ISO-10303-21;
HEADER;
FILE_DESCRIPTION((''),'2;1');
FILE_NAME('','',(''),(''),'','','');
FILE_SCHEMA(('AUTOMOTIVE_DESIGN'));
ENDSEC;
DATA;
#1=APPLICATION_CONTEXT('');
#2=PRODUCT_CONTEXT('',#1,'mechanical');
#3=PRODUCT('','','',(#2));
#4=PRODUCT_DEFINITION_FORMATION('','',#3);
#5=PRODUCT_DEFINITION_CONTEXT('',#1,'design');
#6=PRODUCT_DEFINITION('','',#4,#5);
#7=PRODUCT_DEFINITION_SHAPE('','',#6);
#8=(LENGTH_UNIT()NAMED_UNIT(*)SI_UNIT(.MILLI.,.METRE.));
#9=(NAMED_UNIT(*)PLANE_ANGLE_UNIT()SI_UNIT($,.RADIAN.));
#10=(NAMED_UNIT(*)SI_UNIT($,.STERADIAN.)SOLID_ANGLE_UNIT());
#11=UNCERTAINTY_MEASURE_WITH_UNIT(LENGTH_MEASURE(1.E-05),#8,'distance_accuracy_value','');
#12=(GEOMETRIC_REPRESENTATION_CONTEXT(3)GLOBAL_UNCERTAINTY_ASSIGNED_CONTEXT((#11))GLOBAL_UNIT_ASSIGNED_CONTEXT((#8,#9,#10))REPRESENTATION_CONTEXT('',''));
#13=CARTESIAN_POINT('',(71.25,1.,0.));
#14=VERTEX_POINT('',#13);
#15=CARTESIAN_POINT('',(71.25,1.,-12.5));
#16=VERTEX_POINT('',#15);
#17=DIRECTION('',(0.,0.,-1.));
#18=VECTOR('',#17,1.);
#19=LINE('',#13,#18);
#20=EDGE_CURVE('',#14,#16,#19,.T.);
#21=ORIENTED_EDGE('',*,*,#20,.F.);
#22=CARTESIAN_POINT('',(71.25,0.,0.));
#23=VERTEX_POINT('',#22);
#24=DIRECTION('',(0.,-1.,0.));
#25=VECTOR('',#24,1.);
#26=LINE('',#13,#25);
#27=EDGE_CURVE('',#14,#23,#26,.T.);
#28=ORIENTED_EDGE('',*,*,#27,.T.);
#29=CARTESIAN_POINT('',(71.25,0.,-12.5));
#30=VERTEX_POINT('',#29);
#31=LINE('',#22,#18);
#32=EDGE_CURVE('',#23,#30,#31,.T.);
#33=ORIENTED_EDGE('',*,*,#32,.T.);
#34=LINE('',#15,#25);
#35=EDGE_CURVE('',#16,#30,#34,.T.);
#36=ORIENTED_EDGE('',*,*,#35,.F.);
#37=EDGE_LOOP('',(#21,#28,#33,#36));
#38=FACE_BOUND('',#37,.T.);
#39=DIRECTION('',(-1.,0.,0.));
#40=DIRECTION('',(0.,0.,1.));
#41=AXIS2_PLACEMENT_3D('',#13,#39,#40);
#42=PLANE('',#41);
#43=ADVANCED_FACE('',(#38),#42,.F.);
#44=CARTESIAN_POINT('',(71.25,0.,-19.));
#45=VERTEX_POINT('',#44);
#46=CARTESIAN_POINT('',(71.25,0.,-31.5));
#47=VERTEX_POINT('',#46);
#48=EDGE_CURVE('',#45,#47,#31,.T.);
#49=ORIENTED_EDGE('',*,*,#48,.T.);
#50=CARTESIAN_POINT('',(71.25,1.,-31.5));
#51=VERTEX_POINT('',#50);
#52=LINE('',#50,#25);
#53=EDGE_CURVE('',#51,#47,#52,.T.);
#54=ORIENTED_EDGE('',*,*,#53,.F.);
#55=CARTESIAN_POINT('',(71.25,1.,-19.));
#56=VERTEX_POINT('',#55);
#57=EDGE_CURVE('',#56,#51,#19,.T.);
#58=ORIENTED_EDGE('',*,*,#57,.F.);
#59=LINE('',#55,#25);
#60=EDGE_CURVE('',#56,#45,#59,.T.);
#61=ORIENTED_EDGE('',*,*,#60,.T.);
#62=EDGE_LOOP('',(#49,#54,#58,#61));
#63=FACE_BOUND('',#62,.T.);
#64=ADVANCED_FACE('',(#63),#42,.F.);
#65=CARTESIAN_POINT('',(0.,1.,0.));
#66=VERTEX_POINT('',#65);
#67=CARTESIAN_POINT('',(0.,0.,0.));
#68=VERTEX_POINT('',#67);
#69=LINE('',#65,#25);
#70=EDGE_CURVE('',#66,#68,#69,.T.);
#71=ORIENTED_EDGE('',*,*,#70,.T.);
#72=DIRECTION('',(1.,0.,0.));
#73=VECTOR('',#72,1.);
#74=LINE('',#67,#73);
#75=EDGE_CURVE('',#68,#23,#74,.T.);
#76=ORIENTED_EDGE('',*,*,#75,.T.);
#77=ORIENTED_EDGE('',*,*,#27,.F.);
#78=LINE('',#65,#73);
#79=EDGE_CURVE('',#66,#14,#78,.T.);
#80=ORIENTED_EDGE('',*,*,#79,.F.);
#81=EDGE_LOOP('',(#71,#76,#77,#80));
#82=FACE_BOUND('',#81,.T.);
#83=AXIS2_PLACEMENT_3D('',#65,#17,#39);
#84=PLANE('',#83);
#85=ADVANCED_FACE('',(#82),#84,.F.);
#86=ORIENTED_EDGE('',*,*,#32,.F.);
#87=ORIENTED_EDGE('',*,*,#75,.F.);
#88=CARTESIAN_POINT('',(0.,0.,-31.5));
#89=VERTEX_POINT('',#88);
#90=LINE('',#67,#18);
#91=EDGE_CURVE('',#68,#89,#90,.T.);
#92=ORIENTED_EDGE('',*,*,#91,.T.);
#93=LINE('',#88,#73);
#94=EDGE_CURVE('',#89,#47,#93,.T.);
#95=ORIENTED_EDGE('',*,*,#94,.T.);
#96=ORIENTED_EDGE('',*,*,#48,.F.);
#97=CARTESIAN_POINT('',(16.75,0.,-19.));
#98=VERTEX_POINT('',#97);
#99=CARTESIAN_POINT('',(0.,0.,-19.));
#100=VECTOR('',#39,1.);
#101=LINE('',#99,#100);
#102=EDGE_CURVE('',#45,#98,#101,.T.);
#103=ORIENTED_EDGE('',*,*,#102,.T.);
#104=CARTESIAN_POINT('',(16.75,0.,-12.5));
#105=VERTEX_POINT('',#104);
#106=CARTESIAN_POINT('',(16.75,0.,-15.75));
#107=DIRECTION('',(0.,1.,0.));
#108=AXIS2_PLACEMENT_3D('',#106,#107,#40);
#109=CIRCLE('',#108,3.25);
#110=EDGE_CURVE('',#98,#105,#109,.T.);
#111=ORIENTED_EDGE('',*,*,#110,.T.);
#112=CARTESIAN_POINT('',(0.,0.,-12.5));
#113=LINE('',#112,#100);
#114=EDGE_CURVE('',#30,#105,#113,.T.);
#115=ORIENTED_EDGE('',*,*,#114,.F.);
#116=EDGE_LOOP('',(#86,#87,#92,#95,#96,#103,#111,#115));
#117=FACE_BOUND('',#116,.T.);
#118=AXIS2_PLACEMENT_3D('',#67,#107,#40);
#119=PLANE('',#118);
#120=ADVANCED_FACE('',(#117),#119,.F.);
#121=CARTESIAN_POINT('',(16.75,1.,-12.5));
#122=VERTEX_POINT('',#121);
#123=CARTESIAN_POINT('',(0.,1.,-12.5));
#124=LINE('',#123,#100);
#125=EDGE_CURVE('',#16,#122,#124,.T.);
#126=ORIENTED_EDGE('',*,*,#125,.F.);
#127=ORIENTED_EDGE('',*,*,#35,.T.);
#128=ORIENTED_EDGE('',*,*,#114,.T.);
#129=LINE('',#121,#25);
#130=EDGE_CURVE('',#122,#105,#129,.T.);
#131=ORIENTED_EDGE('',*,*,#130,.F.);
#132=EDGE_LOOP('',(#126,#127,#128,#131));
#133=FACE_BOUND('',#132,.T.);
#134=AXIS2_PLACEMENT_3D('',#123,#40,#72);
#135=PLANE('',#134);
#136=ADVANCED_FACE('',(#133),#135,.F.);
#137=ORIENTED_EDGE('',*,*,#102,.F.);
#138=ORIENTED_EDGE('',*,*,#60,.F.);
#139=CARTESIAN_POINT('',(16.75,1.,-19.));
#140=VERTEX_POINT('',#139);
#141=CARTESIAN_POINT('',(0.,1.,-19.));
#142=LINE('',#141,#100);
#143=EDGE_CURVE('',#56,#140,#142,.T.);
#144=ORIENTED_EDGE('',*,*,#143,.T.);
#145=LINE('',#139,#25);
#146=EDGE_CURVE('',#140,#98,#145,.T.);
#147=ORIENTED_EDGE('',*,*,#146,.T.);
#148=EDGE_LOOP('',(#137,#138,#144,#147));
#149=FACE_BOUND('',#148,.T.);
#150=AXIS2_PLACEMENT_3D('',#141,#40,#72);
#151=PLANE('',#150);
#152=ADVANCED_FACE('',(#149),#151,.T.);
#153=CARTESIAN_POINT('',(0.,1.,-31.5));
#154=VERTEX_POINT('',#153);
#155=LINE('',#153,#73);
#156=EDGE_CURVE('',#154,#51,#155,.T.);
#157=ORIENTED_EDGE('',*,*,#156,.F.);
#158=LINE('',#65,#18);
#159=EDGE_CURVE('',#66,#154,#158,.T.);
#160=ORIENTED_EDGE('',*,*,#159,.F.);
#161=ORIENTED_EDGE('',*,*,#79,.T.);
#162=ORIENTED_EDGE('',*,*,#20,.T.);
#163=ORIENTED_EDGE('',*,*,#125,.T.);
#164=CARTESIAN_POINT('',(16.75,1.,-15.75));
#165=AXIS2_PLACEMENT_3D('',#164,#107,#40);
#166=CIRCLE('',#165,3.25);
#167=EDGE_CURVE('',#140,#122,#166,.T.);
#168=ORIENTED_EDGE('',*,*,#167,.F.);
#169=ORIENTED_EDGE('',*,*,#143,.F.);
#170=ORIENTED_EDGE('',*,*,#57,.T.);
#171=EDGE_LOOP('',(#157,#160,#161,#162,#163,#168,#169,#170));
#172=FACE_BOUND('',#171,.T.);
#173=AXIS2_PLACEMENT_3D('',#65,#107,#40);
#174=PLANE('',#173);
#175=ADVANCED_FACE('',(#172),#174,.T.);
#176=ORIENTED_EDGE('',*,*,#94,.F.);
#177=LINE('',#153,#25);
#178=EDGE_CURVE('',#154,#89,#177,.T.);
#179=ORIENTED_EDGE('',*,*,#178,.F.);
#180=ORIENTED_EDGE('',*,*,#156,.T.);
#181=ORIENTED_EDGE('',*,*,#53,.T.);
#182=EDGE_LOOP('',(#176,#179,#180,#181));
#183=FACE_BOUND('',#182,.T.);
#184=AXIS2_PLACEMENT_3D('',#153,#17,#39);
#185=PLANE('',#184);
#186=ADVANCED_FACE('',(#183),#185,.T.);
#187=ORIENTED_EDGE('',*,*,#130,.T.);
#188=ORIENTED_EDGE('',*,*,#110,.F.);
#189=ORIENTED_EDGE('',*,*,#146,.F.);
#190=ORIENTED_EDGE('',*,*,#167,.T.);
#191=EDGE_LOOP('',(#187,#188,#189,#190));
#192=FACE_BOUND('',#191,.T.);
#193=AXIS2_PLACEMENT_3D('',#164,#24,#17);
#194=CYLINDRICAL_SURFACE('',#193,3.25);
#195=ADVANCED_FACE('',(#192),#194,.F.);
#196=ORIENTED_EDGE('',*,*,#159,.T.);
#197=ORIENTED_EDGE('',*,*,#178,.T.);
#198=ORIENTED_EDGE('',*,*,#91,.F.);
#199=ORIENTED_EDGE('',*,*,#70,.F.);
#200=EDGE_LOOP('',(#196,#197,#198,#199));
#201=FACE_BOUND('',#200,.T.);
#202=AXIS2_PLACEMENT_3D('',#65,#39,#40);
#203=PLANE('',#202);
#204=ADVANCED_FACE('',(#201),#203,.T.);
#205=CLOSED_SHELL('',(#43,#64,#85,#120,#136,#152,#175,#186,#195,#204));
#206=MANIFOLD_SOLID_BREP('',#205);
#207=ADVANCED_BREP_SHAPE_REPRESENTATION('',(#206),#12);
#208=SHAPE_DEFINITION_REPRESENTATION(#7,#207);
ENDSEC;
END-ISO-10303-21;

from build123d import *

# Parameters (mm, degrees)
BOSS_EXTRUDE1_DEPTH = 1


with BuildPart() as part:
    # Sketch1 → Boss-Extrude1 (new body)
    with BuildSketch(Plane(origin=(0, 0, 0), x_dir=(1, 0, 0), z_dir=(0, 1, 0))):
        with BuildLine():
            Line((0, 31.5), (0, 0))
            Line((0, 0), (71.25, 0))
            Line((71.25, 0), (71.25, 12.5))
            Line((71.25, 12.5), (16.75, 12.5))
            ThreePointArc((16.75, 12.5), (13.5, 15.75), (16.75, 19))
            Line((16.75, 19), (71.25, 19))
            Line((71.25, 19), (71.25, 31.5))
            Line((71.25, 31.5), (0, 31.5))
        make_face()
    extrude(amount=BOSS_EXTRUDE1_DEPTH)


solid = part.part
